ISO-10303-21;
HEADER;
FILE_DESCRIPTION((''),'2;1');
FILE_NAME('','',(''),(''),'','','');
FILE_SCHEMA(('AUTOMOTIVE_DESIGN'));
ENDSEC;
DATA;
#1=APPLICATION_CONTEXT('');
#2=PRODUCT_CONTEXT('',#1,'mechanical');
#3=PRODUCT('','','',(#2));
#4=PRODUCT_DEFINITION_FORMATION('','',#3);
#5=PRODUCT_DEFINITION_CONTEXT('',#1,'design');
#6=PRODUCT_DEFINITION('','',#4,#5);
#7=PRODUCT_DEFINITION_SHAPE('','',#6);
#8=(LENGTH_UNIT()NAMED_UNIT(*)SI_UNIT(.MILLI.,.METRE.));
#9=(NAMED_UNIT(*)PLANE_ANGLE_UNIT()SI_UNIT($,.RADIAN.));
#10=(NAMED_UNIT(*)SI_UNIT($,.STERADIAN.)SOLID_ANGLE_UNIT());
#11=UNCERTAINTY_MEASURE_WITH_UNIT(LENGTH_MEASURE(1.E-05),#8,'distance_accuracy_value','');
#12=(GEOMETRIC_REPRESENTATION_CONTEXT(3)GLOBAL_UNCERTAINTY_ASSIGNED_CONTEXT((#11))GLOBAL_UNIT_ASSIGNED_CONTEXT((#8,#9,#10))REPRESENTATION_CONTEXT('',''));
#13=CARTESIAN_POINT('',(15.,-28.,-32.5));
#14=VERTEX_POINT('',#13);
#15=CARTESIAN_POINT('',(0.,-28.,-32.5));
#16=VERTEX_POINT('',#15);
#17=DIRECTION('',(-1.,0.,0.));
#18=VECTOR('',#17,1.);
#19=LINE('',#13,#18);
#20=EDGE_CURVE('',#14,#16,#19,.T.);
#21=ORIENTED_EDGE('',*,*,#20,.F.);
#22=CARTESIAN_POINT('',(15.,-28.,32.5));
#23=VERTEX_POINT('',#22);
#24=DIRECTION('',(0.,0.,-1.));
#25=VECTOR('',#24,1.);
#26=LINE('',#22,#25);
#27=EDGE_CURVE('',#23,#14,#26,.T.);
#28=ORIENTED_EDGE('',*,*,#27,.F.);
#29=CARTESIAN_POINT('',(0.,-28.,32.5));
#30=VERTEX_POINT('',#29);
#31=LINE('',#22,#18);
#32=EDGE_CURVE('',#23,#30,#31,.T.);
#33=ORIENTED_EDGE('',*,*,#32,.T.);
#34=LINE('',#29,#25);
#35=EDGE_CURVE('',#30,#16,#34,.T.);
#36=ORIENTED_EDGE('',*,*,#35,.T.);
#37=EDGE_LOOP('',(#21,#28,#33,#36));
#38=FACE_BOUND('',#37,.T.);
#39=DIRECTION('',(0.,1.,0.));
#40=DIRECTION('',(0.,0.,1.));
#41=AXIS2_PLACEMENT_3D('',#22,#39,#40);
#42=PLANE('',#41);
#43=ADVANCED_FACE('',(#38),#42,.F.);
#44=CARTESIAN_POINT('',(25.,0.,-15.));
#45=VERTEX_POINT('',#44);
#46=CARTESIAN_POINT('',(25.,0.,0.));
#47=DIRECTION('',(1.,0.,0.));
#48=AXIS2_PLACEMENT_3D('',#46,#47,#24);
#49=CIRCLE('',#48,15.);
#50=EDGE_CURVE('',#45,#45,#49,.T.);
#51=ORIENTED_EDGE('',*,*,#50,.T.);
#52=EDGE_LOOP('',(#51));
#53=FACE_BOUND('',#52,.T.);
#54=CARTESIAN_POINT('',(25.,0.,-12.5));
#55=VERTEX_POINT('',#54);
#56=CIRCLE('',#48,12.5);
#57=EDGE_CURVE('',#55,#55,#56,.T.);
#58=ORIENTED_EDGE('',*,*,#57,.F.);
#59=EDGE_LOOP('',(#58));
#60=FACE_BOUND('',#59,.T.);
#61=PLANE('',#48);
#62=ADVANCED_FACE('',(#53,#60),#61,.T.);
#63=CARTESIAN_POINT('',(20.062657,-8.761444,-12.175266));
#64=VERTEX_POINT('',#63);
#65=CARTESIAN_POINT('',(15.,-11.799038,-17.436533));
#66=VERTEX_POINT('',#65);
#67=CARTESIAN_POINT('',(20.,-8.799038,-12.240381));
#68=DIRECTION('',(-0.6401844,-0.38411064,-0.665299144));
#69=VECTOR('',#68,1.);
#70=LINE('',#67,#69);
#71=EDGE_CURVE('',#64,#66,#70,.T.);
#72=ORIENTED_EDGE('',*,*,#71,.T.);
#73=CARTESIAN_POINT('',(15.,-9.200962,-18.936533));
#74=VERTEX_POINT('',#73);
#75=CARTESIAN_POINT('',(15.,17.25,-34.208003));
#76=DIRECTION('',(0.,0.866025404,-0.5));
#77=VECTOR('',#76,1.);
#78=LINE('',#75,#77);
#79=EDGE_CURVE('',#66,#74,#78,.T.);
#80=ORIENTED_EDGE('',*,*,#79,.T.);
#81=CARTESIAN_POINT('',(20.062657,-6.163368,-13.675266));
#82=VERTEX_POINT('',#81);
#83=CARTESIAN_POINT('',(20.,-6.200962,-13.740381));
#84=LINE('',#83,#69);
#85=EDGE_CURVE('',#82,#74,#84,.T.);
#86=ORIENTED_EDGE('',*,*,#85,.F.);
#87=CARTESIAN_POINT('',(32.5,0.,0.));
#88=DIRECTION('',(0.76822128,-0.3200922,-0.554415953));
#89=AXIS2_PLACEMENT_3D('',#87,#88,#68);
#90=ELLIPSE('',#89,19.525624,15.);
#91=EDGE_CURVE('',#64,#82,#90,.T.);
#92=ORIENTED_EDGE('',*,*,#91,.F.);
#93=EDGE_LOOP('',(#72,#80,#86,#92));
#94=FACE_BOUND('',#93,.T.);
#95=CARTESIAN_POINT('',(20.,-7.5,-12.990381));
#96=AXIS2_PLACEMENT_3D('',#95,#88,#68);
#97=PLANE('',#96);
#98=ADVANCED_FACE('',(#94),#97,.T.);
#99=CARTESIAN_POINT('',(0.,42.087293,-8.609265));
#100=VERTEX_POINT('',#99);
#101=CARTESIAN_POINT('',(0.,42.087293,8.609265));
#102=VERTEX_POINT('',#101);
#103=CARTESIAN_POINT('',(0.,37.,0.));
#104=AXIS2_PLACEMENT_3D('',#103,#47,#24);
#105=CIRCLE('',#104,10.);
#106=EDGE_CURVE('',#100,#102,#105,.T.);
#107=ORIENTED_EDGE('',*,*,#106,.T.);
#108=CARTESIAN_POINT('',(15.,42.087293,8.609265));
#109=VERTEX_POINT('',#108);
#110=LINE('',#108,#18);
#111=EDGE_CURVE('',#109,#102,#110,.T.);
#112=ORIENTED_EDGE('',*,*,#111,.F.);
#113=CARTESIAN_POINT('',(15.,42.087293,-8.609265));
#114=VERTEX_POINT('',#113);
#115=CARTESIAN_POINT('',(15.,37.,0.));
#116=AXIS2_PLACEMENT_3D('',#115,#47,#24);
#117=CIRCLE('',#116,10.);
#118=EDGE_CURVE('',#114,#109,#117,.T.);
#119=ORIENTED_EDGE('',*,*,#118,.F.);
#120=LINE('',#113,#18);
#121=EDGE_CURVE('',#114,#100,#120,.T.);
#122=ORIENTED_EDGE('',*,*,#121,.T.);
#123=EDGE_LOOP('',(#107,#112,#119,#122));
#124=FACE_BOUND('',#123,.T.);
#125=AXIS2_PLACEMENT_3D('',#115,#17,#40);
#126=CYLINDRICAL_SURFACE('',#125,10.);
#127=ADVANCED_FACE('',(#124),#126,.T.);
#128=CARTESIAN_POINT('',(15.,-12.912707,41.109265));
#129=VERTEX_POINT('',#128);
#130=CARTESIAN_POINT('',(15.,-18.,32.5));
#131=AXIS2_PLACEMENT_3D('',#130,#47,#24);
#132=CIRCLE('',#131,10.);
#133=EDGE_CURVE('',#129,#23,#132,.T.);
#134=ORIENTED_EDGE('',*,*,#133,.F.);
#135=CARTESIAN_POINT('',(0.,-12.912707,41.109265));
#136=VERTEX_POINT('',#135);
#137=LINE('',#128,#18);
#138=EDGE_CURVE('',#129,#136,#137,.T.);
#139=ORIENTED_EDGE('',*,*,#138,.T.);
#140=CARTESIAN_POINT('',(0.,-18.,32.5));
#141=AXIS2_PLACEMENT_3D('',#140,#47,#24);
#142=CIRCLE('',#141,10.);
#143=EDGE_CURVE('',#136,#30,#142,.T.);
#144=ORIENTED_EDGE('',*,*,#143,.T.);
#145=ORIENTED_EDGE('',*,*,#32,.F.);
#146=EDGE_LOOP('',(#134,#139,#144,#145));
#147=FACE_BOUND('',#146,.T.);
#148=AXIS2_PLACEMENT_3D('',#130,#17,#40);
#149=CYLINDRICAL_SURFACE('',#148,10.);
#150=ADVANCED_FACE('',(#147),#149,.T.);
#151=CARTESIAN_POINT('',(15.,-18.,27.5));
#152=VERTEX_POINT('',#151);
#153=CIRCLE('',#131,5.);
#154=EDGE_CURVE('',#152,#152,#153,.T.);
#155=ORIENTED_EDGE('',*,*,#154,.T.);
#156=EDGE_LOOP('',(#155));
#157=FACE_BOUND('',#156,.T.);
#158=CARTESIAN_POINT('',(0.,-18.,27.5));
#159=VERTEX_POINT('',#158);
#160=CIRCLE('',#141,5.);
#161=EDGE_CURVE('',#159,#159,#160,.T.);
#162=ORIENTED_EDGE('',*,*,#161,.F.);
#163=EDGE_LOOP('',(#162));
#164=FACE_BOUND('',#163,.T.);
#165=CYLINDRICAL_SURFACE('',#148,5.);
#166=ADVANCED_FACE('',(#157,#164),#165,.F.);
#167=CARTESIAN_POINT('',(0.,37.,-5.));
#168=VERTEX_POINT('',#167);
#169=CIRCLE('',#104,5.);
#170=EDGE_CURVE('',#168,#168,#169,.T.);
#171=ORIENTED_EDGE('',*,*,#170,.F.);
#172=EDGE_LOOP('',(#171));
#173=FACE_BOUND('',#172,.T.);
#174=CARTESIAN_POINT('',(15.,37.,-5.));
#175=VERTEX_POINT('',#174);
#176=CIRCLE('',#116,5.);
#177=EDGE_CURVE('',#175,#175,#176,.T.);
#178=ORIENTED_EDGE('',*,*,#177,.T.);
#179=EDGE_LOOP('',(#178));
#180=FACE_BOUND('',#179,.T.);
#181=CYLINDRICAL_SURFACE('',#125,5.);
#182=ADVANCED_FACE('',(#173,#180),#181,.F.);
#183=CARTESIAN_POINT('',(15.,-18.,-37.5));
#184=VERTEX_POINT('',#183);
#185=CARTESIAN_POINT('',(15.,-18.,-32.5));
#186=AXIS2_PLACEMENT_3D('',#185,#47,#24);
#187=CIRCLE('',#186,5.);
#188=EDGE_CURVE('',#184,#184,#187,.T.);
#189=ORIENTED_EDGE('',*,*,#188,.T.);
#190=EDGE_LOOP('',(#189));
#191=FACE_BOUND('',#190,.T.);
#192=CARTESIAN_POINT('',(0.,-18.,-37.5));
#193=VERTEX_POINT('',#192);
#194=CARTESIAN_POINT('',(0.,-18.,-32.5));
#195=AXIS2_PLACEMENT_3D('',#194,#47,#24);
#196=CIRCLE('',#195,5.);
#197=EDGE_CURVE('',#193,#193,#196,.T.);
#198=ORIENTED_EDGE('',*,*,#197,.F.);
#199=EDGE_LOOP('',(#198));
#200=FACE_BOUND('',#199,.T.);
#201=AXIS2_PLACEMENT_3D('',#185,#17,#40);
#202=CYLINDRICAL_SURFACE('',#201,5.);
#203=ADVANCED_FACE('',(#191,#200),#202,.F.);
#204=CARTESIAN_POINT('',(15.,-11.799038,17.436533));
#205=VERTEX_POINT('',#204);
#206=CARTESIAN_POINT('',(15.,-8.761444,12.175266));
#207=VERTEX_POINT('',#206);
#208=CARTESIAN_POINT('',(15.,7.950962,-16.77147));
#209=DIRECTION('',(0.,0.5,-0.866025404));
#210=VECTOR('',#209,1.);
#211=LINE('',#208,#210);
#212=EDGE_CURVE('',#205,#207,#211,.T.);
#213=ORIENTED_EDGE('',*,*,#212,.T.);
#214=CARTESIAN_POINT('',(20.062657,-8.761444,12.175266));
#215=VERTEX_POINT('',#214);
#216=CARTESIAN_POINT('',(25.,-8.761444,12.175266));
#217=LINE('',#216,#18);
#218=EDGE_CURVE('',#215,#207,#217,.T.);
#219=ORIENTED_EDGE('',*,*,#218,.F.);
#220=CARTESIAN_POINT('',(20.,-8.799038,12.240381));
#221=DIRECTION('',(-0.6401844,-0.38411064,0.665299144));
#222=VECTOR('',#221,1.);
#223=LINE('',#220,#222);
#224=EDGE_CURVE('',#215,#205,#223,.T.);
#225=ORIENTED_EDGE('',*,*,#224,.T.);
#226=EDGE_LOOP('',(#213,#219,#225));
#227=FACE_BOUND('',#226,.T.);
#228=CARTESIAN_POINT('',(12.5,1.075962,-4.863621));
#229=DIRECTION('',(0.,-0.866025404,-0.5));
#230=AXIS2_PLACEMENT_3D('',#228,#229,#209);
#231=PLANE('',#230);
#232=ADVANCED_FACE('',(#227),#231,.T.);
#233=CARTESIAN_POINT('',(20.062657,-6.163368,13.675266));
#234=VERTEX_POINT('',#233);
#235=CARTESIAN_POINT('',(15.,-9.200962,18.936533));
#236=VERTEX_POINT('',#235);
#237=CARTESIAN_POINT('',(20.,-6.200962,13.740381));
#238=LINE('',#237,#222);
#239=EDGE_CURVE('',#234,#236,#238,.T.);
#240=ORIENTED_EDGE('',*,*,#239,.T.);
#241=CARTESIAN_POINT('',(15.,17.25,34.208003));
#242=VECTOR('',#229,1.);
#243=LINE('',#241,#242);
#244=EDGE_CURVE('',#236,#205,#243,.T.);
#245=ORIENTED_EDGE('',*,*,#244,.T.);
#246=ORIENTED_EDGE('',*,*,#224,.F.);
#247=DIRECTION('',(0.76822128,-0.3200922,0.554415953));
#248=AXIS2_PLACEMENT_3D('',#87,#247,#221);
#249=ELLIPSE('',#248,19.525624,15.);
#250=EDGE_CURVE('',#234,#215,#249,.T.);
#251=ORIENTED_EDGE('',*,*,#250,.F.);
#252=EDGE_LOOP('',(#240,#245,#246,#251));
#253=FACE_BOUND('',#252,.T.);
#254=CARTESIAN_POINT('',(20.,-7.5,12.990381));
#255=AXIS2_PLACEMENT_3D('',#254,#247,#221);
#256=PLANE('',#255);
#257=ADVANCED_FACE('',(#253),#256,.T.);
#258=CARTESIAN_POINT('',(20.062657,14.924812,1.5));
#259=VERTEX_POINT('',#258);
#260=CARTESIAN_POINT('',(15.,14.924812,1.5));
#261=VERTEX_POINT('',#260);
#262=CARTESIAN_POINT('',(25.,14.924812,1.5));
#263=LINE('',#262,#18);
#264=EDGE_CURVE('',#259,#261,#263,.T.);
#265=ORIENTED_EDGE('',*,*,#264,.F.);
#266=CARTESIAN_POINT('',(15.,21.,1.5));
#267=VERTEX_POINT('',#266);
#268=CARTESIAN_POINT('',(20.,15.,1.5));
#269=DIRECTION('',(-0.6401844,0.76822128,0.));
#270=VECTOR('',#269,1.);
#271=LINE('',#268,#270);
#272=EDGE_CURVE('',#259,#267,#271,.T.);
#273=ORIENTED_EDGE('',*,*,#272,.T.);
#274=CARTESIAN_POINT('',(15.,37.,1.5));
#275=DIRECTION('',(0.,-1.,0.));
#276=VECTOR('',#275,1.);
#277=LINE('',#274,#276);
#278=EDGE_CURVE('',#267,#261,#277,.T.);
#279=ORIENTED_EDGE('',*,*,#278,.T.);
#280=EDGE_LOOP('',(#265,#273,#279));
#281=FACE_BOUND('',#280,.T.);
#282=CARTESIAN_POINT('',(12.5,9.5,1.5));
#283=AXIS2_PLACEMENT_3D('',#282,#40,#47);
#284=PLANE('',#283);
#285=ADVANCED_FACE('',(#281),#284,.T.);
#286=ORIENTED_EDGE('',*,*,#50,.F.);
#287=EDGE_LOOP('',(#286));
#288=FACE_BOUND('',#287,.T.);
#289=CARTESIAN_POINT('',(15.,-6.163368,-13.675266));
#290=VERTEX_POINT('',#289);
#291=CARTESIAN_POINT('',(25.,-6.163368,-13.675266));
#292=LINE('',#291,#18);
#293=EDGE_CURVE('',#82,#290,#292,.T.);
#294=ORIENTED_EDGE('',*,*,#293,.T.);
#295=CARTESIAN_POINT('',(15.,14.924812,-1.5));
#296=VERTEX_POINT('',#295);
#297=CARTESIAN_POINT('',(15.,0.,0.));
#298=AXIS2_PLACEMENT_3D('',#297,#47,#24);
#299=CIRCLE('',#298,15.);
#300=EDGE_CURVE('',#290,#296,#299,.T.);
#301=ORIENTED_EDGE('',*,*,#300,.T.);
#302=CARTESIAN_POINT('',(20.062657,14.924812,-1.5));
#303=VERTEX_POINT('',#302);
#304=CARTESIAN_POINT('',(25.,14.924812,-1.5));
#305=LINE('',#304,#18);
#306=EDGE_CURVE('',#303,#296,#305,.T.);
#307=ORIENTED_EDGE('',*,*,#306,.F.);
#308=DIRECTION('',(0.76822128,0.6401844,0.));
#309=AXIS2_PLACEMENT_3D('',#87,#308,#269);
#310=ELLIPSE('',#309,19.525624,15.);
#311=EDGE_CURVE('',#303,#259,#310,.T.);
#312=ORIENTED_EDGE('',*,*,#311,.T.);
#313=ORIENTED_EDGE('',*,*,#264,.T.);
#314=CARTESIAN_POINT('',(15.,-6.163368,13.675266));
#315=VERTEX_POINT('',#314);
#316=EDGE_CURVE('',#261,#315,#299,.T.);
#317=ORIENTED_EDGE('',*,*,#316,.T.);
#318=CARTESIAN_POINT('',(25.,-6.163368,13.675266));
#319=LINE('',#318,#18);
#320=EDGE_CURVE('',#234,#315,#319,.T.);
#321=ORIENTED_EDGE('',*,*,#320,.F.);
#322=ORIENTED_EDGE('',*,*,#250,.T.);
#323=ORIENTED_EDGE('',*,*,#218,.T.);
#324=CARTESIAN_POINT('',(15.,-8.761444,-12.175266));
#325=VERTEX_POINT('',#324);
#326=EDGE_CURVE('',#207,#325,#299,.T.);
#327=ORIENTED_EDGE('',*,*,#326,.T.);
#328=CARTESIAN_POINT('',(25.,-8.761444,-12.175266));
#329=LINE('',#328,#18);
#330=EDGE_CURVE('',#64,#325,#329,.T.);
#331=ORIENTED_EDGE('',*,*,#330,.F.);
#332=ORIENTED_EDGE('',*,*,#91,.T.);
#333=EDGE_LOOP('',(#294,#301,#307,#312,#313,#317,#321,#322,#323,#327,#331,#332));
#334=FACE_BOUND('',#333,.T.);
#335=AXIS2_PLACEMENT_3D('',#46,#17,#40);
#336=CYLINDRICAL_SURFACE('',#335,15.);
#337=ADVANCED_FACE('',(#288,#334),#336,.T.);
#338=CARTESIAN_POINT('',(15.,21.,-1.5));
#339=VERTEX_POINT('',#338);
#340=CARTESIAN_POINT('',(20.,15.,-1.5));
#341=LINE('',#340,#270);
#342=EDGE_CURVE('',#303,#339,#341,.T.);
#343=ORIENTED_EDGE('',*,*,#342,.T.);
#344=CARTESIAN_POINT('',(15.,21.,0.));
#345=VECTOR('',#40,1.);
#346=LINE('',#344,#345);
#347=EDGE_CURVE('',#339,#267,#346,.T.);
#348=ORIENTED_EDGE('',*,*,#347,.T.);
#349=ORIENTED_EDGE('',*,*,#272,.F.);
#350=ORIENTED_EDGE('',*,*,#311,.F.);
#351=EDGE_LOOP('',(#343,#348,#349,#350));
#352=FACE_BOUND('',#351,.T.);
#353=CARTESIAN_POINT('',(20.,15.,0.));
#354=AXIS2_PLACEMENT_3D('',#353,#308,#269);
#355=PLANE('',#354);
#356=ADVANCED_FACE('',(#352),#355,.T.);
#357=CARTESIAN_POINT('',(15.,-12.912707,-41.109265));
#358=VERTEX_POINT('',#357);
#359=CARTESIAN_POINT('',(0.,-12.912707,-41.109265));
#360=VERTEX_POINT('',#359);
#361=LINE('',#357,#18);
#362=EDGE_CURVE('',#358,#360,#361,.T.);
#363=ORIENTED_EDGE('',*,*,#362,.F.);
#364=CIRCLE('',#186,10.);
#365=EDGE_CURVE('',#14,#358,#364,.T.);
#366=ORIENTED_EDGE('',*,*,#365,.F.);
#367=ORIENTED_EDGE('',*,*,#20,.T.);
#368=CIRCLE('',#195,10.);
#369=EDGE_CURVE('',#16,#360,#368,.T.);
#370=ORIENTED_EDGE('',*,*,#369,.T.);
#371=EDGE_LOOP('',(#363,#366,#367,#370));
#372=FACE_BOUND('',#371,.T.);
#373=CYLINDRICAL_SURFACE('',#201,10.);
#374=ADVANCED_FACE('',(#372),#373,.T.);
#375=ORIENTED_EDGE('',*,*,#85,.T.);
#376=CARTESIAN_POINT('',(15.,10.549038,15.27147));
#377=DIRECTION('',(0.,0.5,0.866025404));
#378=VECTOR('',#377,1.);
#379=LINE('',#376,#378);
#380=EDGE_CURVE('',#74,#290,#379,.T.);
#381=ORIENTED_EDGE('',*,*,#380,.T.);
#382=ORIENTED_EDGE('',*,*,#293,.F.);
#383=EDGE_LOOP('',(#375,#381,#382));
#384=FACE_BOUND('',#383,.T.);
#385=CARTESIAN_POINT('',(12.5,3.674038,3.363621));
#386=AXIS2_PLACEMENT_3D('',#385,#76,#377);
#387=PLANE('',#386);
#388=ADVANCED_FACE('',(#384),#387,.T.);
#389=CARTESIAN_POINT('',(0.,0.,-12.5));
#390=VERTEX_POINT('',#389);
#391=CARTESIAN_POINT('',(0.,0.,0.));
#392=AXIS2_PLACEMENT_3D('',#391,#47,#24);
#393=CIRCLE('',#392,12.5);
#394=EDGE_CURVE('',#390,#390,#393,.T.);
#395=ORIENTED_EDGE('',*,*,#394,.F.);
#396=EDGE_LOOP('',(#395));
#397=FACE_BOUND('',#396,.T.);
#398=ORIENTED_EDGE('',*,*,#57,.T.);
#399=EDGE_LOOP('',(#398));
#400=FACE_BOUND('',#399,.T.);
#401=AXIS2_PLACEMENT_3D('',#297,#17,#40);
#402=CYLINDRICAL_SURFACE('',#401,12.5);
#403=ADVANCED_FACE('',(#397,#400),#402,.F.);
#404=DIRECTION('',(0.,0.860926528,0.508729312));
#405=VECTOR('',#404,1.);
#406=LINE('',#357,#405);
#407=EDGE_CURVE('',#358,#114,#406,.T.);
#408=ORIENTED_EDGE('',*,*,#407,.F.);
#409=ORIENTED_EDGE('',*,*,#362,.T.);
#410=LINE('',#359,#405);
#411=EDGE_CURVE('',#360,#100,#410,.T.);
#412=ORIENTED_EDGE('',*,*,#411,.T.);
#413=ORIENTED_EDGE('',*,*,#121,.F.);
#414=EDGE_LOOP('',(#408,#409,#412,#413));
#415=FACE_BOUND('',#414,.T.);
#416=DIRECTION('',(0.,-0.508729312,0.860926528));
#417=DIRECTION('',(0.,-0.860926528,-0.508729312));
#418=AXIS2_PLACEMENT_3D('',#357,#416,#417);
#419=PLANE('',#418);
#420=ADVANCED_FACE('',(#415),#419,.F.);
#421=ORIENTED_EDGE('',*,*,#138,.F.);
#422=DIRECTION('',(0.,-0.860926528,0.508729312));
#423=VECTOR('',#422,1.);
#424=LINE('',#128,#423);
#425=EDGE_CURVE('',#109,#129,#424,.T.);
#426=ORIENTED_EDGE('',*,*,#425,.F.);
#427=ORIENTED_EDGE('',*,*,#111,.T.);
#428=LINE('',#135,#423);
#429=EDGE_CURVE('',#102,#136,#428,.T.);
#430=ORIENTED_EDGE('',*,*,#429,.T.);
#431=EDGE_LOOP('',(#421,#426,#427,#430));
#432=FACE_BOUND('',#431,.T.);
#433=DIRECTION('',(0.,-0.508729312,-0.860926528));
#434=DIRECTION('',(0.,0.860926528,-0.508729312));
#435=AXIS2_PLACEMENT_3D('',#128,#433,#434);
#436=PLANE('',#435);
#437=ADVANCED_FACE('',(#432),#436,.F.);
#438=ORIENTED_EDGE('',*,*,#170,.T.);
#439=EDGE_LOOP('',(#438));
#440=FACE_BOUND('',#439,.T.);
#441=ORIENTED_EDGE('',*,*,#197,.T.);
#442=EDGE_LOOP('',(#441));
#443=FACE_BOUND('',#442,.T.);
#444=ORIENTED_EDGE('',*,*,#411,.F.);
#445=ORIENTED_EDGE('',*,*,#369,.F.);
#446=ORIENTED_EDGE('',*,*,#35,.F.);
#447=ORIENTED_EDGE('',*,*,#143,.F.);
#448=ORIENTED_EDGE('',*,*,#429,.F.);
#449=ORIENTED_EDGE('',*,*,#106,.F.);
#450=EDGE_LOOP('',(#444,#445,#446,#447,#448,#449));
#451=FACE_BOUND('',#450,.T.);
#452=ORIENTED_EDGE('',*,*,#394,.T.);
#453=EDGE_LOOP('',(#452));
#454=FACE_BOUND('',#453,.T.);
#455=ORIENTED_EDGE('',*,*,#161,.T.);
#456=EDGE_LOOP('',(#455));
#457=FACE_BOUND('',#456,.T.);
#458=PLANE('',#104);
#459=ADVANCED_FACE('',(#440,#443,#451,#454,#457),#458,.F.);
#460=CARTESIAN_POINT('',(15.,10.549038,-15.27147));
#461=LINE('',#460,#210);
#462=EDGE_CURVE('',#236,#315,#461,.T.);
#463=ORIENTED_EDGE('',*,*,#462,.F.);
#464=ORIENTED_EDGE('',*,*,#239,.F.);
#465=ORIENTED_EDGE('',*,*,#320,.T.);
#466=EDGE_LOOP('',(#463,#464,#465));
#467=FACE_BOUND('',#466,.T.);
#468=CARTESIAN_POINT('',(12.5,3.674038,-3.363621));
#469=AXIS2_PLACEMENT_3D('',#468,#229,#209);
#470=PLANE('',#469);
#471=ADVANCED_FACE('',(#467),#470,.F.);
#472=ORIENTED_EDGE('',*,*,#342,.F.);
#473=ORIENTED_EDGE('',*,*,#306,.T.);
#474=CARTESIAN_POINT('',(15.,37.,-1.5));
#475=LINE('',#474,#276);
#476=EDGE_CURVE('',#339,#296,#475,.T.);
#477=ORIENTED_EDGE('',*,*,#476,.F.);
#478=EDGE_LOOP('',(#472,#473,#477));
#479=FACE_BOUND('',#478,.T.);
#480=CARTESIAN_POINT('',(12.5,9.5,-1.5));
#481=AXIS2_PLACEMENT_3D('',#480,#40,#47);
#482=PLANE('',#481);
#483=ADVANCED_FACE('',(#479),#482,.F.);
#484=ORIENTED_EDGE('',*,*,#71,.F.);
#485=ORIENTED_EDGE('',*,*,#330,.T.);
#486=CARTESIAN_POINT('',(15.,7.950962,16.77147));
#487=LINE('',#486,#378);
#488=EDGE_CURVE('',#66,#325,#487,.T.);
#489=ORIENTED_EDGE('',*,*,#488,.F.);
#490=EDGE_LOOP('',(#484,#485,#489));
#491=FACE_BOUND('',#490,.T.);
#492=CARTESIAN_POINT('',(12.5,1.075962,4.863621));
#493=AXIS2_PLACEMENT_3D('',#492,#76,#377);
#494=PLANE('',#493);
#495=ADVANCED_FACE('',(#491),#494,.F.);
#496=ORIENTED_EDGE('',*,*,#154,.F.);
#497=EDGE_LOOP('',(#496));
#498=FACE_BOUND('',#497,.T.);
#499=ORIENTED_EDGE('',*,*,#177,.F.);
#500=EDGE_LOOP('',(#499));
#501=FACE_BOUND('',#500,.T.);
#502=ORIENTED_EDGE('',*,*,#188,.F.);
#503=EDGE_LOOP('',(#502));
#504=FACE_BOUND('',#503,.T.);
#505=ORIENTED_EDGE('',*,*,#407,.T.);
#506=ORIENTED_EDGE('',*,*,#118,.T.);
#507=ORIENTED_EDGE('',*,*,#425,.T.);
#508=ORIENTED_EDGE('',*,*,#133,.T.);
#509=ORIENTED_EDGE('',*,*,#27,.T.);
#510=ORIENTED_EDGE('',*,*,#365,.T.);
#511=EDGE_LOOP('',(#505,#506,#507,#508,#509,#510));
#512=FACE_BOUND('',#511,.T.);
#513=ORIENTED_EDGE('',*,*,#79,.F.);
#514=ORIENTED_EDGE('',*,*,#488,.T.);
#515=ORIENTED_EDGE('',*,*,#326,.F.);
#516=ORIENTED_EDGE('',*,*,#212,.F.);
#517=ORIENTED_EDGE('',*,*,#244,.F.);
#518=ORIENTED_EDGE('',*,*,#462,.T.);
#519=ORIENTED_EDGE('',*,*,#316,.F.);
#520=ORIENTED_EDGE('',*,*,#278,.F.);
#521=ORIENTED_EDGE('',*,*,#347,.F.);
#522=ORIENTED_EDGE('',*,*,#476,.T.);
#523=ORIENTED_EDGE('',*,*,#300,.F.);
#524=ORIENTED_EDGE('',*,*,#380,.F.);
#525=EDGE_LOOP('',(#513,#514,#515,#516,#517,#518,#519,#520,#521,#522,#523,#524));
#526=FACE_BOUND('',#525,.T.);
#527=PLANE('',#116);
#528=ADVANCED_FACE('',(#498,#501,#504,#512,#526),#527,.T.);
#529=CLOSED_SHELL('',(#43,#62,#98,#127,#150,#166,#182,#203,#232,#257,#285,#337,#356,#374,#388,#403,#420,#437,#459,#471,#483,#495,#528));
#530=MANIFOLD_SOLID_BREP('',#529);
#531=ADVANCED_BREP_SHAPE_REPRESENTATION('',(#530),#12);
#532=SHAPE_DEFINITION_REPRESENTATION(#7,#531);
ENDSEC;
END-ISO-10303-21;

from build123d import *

# Parameters (mm, degrees)
SKETCH1_R           = 12.5
SKETCH1_R_2         = 5
BOSS_EXTRUDE1_DEPTH = 15
SKETCH2_R           = 15
SKETCH2_R_2         = 12.5
BOSS_EXTRUDE2_DEPTH = 10
RIB1_REACH          = 70.119
SKETCH3_WALL_W      = 146.04901068
SKETCH3_WALL_H      = 3
CIRPATTERN1_COUNT   = 3


with BuildPart() as part:
    # Sketch1 → Boss-Extrude1 (new body)
    with BuildSketch(Plane(origin=(0, 0, 0), x_dir=(0, 0, -1), z_dir=(1, 0, 0))):
        with BuildLine():
            Line((-41.109265282, -12.912706879), (-8.609265282, 42.087293121))
            ThreePointArc((-8.609265282, 42.087293121), (0, 47), (8.609265282, 42.087293121))
            Line((8.609265282, 42.087293121), (41.109265282, -12.912706879))
            ThreePointArc((41.109265282, -12.912706879), (41.185416835, -22.956161256), (32.5, -28))
            Line((32.5, -28), (-32.5, -28))
            ThreePointArc((-32.5, -28), (-41.185416835, -22.956161256), (-41.109265282, -12.912706879))
        make_face()
        Circle(SKETCH1_R, mode=Mode.SUBTRACT)
        with Locations((0, 37)):
            Circle(SKETCH1_R_2, mode=Mode.SUBTRACT)
        with Locations((32.5, -18)):
            Circle(SKETCH1_R_2, mode=Mode.SUBTRACT)
        with Locations((-32.5, -18)):
            Circle(SKETCH1_R_2, mode=Mode.SUBTRACT)
    extrude(amount=BOSS_EXTRUDE1_DEPTH)

    # Sketch2 → Boss-Extrude2 (add)
    with BuildSketch(Plane(origin=(15, 0, 0), x_dir=(0, 0, -1), z_dir=(1, 0, 0))):
        Circle(SKETCH2_R)
        Circle(SKETCH2_R_2, mode=Mode.SUBTRACT)
    extrude(amount=BOSS_EXTRUDE2_DEPTH)

    # Sketch3 wall → Rib1 (add, up to next)
    with BuildSketch(Plane(origin=(17.5, 18, 0), x_dir=(-0.640184399664, 0.768221279597, 0), z_dir=(-0.768221279597, -0.640184399664, 0)), mode=Mode.PRIVATE) as rib1_sk1:
        Rectangle(SKETCH3_WALL_W, SKETCH3_WALL_H)
    rib1_tool1 = extrude(rib1_sk1.sketch, amount=RIB1_REACH, mode=Mode.PRIVATE) - part.part
    rib1 = rib1_tool1.solids().sort_by_distance((17.5, 18, 0))[0]
    add(rib1)

    # CirPattern1: Rib1 ×3 about axis
    cirpattern1_axis = Axis((0, 0, 0), (1, 0, 0))
    for i in range(1, CIRPATTERN1_COUNT):
        add(rib1.rotate(cirpattern1_axis, i * 360 / CIRPATTERN1_COUNT))


solid = part.part
